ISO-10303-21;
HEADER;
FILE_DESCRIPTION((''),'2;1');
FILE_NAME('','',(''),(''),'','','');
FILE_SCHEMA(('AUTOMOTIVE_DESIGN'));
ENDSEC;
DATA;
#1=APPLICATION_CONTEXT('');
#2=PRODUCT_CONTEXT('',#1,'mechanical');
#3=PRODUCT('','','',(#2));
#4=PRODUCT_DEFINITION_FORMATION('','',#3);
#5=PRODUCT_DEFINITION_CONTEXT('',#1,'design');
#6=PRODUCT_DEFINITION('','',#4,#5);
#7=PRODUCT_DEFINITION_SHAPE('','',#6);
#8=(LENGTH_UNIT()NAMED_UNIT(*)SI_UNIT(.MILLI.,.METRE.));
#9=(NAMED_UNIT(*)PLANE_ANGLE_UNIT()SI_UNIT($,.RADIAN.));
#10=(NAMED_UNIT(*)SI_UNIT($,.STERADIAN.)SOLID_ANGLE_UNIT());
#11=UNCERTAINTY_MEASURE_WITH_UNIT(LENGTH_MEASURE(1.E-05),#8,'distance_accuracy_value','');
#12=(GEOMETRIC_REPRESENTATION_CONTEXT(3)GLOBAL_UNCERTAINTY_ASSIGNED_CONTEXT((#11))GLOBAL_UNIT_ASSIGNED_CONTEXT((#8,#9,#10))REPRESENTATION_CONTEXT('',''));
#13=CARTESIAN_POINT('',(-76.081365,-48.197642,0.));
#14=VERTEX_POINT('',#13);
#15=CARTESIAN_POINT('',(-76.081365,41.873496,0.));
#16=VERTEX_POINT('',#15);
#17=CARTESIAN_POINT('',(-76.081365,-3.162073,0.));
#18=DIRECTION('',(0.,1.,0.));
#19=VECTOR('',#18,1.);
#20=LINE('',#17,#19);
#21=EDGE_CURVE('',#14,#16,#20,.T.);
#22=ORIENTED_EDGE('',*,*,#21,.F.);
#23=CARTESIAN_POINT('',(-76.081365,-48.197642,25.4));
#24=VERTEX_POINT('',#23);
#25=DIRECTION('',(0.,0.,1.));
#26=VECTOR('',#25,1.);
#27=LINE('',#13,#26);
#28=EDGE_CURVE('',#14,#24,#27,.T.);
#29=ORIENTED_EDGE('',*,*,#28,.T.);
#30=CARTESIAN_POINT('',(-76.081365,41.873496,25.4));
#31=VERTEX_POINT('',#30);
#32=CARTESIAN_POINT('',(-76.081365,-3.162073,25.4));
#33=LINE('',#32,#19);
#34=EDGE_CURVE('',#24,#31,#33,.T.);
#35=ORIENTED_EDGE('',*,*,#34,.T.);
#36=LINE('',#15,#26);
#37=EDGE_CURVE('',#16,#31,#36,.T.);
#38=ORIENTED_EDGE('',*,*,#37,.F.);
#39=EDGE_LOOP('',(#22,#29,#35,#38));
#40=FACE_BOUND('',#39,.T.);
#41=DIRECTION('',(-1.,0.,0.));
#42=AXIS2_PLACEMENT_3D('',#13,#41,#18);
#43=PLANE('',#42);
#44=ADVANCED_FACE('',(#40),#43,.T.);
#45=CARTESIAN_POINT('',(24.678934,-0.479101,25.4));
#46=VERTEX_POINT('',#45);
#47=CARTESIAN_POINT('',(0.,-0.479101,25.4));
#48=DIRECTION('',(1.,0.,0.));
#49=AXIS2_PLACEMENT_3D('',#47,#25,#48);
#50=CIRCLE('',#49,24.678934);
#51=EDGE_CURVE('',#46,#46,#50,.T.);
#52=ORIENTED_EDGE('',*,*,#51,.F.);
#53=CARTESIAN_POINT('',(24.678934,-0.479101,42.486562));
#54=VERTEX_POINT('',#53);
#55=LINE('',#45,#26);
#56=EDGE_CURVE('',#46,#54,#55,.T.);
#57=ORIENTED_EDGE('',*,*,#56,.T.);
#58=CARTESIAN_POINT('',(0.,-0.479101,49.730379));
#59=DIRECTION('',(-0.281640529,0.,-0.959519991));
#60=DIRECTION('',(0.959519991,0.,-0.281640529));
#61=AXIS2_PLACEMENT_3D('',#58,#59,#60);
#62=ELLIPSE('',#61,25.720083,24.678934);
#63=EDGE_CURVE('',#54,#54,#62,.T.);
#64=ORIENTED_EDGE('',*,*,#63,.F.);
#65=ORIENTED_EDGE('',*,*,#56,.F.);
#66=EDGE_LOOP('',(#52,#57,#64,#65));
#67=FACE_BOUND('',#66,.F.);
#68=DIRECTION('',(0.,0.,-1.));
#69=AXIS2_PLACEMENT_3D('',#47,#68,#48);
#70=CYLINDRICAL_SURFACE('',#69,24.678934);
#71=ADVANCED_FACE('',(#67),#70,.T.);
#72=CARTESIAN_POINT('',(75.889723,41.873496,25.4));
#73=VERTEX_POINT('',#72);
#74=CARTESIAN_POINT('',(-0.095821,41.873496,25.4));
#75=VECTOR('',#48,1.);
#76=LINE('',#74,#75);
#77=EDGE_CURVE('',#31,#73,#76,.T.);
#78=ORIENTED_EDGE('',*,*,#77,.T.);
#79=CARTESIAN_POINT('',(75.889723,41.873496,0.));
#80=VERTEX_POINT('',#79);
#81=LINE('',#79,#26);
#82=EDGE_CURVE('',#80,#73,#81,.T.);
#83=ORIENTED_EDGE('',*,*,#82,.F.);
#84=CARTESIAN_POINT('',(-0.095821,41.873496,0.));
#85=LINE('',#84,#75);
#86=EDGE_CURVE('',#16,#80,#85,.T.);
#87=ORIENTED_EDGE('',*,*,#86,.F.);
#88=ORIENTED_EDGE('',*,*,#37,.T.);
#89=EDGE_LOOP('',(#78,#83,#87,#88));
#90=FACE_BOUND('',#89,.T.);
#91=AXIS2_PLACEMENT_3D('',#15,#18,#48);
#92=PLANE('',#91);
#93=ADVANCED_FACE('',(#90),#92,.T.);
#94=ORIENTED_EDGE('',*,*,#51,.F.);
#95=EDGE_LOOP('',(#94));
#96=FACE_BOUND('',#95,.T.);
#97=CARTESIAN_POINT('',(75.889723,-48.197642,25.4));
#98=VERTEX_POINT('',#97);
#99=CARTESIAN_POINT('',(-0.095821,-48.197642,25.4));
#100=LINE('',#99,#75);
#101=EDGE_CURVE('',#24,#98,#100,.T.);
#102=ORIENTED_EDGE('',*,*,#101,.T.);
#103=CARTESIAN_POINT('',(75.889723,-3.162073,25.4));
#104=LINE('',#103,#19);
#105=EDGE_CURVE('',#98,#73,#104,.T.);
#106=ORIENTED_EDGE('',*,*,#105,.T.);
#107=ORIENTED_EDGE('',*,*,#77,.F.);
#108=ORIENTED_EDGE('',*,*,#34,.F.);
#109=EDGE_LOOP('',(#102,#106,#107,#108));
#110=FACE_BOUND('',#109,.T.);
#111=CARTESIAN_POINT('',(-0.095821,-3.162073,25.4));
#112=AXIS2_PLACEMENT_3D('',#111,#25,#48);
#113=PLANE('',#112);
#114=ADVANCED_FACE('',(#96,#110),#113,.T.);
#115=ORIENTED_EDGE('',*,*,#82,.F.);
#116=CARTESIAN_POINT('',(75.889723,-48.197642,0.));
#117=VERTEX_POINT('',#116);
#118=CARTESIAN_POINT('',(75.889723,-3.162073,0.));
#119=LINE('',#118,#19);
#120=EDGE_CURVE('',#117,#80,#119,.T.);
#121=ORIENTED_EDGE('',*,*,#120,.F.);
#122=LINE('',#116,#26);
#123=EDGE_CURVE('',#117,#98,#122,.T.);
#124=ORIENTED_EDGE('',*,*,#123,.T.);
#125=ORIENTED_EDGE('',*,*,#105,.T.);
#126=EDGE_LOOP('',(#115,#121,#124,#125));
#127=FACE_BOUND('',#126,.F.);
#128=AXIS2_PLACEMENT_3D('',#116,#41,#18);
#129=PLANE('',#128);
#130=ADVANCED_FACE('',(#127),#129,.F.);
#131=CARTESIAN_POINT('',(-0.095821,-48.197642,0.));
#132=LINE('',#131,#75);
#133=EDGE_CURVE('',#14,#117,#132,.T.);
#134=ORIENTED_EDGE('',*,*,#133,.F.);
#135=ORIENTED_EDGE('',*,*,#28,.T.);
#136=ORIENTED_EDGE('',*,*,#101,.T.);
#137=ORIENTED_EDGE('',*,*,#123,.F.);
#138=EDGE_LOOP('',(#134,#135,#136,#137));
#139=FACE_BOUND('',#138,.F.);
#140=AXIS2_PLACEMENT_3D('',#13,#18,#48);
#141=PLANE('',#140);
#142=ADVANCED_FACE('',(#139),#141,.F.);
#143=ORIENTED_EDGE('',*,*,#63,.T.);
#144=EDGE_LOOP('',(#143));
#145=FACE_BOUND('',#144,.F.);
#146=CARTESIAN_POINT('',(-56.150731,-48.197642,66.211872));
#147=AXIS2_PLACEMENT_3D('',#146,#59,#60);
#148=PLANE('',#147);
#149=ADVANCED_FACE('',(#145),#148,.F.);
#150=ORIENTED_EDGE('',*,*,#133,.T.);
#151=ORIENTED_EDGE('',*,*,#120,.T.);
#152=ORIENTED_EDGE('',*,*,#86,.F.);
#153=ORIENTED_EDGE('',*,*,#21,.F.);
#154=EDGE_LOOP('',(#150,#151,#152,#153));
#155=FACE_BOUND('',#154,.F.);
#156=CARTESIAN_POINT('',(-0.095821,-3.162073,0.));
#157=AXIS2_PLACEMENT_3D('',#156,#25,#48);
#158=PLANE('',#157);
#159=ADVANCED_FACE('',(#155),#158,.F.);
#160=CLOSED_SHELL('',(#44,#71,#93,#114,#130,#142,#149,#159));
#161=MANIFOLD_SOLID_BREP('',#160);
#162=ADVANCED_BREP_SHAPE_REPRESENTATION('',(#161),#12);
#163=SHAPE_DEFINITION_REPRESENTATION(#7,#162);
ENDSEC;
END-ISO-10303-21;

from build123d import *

# Parameters (mm, degrees)
F0_W     = 151.971087
F0_H     = 90.071138
F1_DEPTH = 25.4
F2_R     = 24.678934
F3_DEPTH = 38.1
F5_DEPTH = 90.072138


with BuildPart() as f1:
    # F0 (on Top) → F1 (new body)
    with BuildSketch(Plane.XY):
        with Locations((-0.095821, -3.162073)):
            Rectangle(F0_W, F0_H)
    extrude(amount=F1_DEPTH)

    # F2 (on face) → F3 (join)
    with BuildSketch(Plane.XY.offset(25.4)):
        with Locations((0, -0.479101)):
            Circle(F2_R)
    extrude(amount=F3_DEPTH)

    # F4 (on face) → F5 (cut, through all)
    with BuildSketch(Plane.XZ.offset(48.197642)):
        Polygon((29.129392, 74.644059), (-56.150731, 66.211872), (38.519785, 38.423963), align=None)
    extrude(amount=-F5_DEPTH, mode=Mode.SUBTRACT)


solid = f1.part
